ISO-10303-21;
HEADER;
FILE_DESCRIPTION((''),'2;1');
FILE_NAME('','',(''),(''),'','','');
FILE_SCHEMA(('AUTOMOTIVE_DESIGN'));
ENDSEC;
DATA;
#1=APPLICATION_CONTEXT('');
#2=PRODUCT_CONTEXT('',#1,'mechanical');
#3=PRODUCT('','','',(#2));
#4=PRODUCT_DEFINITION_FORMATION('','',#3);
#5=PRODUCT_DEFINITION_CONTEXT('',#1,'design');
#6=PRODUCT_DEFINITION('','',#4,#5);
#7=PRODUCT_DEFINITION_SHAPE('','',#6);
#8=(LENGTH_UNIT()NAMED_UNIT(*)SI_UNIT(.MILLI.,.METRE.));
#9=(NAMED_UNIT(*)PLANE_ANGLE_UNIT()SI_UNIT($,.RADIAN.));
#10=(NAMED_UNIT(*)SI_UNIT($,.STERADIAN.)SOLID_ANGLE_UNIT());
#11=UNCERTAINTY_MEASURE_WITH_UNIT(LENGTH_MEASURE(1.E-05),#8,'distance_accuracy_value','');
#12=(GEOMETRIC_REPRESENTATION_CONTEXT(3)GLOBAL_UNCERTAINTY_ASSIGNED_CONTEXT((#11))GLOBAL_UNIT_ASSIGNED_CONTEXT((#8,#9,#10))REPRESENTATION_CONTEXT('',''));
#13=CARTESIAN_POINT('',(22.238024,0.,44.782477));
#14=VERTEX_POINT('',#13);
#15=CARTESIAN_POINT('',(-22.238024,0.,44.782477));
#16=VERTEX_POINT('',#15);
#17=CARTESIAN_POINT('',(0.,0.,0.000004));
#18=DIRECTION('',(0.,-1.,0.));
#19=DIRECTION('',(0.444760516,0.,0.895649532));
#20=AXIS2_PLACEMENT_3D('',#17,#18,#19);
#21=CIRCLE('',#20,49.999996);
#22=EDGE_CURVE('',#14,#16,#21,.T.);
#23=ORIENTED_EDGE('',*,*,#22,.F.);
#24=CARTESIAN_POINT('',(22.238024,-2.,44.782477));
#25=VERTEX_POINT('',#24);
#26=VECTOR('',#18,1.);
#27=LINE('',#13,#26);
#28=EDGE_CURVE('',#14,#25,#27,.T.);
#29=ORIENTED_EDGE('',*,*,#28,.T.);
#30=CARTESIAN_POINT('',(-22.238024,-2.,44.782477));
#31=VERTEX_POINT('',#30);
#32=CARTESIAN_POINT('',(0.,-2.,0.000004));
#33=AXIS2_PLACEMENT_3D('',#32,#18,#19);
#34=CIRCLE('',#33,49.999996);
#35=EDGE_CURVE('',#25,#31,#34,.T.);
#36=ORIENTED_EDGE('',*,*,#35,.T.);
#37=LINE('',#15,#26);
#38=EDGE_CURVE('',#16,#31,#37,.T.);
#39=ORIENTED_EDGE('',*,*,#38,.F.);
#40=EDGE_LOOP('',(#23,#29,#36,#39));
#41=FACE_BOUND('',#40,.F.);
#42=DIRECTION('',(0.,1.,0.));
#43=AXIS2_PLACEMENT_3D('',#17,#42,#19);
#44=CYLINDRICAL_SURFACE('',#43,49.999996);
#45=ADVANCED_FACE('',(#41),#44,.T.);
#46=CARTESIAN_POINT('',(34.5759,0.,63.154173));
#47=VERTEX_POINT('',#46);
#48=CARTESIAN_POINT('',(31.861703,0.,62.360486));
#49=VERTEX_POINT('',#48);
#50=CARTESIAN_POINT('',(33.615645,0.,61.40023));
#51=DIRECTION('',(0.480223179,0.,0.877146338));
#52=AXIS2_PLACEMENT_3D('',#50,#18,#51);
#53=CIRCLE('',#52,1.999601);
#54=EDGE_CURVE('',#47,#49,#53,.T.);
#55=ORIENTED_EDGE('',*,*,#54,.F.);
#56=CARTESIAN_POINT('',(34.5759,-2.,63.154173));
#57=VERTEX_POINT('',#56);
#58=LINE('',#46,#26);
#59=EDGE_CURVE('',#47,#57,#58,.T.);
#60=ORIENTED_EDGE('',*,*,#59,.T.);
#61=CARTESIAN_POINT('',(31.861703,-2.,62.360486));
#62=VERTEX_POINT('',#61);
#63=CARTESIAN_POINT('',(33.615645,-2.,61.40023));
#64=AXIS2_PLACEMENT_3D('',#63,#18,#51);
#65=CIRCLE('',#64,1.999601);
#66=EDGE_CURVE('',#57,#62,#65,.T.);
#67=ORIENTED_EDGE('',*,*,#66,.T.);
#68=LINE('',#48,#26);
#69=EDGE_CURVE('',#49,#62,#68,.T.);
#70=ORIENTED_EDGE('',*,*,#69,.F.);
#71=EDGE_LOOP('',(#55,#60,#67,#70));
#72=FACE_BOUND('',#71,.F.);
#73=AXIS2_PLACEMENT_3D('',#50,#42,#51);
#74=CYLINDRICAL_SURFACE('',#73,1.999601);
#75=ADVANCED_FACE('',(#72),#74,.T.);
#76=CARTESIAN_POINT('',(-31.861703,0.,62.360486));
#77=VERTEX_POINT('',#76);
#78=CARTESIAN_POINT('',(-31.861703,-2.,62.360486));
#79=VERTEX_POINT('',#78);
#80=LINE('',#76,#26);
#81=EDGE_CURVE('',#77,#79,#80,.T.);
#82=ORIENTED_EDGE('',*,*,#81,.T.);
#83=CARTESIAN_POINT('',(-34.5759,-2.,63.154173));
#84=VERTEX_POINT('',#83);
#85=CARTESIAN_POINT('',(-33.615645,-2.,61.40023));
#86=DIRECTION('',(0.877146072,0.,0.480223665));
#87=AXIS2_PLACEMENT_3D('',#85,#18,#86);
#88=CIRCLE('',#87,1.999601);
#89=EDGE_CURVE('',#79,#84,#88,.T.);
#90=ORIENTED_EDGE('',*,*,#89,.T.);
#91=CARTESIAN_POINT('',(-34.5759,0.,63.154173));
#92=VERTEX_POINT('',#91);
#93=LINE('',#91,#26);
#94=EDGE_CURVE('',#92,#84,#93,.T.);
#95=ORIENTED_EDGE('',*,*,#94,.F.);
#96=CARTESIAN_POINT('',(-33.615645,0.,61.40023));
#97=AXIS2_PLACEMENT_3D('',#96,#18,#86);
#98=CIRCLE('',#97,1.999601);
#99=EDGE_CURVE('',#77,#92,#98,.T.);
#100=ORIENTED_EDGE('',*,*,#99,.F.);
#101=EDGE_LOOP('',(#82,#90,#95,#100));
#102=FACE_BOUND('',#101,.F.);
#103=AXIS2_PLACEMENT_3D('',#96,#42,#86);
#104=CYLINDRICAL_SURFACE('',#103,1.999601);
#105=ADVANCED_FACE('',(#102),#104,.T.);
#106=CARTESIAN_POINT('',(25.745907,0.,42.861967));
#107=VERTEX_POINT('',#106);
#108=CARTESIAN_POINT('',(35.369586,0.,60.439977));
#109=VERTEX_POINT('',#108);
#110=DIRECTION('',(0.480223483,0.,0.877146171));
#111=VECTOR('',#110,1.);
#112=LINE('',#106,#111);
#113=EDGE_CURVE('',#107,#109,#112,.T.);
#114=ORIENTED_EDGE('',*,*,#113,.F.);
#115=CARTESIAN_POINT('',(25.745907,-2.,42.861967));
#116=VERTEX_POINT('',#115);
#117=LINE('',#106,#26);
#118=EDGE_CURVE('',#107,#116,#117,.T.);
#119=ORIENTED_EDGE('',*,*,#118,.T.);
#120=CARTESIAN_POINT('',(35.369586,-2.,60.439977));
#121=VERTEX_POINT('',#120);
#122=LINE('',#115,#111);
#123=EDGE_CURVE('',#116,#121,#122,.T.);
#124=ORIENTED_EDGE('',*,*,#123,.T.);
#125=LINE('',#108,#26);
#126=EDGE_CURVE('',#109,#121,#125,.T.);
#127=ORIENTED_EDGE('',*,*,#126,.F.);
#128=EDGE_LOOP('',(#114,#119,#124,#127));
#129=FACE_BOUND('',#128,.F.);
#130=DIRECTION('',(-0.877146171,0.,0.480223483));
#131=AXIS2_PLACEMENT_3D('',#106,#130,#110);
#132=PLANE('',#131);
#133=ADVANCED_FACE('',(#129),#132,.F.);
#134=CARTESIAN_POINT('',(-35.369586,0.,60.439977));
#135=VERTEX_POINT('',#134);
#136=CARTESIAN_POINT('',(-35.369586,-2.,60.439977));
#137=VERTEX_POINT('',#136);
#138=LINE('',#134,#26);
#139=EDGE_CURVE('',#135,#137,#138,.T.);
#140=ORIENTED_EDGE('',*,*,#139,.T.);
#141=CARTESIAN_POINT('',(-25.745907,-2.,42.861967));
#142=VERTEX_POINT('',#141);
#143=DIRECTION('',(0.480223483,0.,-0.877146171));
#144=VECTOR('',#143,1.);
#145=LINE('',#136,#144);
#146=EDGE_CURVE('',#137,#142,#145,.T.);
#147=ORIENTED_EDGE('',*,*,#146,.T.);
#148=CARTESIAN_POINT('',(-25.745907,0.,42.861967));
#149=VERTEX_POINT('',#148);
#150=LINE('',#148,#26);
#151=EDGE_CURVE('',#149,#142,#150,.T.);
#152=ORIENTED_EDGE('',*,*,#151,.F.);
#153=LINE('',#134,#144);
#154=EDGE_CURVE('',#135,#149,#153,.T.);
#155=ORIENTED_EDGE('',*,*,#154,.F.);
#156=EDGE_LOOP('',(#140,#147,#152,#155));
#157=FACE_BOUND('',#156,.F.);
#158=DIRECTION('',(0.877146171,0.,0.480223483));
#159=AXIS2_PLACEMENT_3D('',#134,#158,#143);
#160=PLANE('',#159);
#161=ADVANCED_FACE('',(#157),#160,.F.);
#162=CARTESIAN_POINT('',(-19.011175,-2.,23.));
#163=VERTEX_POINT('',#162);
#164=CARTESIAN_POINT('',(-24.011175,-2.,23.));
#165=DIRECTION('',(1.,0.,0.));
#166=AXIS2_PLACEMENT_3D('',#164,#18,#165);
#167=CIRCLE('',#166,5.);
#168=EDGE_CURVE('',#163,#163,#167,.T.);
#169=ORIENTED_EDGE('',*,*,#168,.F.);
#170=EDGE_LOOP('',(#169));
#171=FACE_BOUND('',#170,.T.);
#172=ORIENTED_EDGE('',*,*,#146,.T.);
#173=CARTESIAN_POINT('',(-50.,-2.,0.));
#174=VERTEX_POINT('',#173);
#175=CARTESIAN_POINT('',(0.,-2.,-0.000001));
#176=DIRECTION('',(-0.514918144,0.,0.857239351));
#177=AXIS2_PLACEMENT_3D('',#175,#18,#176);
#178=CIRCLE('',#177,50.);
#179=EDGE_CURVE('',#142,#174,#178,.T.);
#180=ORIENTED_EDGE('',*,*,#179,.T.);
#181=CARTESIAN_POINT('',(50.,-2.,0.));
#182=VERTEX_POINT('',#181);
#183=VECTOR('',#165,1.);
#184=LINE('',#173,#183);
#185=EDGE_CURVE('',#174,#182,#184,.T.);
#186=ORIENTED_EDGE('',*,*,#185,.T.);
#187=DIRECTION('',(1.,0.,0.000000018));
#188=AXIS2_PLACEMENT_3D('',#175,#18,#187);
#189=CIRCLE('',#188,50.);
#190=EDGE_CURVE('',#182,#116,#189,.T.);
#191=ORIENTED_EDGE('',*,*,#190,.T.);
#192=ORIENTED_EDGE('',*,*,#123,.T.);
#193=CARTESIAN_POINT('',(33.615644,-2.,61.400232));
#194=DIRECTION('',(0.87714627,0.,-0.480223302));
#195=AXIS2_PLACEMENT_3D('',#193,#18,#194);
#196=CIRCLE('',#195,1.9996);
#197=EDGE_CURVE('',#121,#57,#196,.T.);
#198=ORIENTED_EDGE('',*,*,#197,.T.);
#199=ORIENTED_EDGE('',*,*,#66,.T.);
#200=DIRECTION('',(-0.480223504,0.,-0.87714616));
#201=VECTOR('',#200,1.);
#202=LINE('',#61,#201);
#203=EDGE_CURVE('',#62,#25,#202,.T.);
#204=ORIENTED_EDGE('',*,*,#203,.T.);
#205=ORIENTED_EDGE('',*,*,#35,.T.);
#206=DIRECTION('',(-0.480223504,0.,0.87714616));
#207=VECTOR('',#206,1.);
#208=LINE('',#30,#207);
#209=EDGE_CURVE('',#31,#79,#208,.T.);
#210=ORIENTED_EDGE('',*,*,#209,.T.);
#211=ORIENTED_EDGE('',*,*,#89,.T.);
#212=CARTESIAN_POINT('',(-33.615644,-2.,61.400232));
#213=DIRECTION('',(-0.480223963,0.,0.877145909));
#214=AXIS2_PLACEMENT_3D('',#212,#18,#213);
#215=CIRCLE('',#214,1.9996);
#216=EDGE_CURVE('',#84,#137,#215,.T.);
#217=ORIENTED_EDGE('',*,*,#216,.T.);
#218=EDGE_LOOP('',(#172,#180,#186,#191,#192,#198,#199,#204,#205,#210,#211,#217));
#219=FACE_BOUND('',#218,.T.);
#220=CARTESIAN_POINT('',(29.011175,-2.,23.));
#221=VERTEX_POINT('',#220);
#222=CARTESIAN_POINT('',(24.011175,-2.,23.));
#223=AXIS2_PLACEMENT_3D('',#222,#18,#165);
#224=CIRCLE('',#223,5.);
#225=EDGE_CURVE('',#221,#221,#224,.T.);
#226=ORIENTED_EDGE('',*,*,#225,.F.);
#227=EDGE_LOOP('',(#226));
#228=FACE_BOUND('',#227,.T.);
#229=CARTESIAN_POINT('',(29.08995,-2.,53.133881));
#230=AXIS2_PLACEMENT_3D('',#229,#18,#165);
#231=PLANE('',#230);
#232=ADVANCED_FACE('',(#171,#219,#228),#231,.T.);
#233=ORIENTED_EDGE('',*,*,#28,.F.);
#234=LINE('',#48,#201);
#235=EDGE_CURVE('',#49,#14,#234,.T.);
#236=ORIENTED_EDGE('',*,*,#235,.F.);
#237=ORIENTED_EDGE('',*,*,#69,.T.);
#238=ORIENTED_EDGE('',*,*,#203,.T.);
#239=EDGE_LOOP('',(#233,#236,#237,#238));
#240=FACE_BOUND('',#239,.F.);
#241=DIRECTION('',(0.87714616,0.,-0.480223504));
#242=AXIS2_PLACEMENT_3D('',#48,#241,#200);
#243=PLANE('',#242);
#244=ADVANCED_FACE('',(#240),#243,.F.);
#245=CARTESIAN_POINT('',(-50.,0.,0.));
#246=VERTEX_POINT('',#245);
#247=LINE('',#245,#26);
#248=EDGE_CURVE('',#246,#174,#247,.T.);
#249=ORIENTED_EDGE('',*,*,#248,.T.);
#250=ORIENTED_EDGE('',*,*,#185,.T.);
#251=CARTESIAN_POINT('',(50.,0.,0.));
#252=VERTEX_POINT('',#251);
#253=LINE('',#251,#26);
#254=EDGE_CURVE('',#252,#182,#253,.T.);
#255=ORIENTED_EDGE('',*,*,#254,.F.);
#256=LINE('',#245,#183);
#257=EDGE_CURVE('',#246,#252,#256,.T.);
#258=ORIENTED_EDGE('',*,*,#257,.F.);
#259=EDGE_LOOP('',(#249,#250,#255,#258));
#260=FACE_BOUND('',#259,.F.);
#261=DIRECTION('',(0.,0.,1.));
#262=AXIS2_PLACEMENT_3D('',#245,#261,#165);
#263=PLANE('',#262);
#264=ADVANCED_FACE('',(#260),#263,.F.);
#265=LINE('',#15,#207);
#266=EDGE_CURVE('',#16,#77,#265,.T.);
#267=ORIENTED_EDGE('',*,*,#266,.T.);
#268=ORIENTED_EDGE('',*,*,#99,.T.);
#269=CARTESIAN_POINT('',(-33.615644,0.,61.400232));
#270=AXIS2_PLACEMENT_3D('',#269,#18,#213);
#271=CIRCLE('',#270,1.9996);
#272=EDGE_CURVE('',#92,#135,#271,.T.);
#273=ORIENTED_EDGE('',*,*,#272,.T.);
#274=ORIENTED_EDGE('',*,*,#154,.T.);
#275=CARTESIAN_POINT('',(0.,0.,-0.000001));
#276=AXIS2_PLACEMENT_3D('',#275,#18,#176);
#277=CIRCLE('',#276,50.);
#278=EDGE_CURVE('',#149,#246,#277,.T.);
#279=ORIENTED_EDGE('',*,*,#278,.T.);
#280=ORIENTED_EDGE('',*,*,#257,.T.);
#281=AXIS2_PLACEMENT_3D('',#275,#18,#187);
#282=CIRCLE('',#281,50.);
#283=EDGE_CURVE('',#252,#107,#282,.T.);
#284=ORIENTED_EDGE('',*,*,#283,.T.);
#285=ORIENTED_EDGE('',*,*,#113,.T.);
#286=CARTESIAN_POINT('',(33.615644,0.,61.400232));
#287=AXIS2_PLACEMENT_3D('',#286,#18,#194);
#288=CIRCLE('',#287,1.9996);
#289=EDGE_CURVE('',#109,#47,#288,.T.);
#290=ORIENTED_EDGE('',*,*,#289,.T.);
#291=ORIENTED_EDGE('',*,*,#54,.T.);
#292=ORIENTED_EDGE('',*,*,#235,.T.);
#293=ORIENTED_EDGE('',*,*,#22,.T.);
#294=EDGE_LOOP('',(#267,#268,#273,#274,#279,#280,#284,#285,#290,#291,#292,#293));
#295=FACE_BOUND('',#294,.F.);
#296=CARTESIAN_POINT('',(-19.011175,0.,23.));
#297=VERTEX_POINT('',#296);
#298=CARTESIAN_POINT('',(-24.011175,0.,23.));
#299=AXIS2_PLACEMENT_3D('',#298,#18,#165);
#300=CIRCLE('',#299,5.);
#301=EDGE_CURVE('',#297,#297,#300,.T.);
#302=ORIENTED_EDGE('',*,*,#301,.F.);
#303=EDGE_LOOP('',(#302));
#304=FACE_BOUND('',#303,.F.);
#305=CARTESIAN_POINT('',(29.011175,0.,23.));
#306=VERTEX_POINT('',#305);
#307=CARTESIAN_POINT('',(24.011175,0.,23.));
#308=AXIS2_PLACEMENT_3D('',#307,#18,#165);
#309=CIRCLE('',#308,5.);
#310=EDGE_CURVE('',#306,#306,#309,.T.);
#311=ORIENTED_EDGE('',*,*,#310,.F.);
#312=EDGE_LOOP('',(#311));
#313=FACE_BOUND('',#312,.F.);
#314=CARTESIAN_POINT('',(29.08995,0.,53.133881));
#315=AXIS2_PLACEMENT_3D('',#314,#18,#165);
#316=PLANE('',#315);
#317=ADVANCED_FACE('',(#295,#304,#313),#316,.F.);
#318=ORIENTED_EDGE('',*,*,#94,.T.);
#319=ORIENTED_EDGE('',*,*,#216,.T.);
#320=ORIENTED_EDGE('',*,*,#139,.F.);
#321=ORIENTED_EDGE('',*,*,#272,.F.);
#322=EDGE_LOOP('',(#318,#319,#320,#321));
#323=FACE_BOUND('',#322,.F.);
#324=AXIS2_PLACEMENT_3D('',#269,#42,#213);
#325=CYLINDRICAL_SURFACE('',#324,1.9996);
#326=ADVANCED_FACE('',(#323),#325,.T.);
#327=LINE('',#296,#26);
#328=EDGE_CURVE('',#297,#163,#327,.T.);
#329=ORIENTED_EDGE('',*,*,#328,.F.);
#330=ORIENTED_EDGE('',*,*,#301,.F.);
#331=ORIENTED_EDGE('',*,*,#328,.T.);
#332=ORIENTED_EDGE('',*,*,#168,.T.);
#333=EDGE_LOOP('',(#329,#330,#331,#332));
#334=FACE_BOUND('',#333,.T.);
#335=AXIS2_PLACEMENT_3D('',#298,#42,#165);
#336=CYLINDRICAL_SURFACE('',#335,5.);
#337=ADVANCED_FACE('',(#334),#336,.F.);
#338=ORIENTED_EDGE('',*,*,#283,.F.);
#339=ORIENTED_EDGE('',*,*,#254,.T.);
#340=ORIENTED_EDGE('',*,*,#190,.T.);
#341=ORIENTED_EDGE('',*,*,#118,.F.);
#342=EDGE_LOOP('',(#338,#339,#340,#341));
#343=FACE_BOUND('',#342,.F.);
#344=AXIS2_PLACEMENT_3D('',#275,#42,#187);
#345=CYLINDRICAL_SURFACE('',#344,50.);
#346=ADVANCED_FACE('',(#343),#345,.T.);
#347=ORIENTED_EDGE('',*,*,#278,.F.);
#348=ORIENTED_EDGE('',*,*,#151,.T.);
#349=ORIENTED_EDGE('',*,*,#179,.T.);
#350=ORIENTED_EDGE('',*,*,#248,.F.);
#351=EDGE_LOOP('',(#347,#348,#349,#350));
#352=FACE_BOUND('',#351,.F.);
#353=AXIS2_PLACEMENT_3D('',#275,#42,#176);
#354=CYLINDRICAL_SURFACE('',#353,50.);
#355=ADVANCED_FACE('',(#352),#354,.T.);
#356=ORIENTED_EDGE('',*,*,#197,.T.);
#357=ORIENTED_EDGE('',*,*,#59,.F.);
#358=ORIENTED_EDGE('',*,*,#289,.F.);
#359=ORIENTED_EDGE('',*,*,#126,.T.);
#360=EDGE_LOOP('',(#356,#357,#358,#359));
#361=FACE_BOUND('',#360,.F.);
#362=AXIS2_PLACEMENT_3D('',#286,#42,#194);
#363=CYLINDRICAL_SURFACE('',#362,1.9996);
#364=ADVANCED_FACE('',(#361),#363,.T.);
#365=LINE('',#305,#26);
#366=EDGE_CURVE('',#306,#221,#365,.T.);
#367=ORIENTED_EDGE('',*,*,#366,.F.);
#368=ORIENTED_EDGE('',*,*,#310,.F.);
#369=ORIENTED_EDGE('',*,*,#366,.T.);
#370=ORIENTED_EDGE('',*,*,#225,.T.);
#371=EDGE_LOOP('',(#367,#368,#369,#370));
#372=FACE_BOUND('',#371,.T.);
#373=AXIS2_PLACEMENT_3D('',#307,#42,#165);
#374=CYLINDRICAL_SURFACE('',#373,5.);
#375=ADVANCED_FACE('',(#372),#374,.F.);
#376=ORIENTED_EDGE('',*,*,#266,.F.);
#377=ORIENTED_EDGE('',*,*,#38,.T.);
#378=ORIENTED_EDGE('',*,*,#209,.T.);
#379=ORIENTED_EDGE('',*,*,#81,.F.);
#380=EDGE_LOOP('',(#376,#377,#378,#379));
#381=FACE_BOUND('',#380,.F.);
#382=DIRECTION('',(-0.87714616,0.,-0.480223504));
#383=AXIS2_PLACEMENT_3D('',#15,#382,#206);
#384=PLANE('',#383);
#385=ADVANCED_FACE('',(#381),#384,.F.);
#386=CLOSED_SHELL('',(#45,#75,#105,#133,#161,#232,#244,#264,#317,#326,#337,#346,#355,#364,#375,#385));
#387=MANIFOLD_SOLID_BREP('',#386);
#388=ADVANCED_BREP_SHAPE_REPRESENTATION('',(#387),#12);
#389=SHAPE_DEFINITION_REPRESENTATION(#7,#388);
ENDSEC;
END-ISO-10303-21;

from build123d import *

# Parameters (mm, degrees)
F0_R     = 5
F1_DEPTH = 2


with BuildPart() as f1:
    # F0 (on Front) → F1 (new body)
    with BuildSketch(Plane.XZ):
        with BuildLine():
            ThreePointArc((22.238024, 44.782477), (24.011175, 43.857308), (25.745907, 42.861967))
            Line((25.745907, 42.861967), (35.369586, 60.439977))
            ThreePointArc((35.369586, 60.439977), (35.534871, 61.961453), (34.5759, 63.154173))
            ThreePointArc((34.5759, 63.154173), (33.054424, 63.319458), (31.861703, 62.360486))
            Line((31.861703, 62.360486), (22.238024, 44.782477))
        make_face()
        with BuildLine():
            Line((-35.369586, 60.439977), (-25.745907, 42.861967))
            ThreePointArc((-25.745907, 42.861967), (-24.011175, 43.857308), (-22.238024, 44.782477))
            Line((-22.238024, 44.782477), (-31.861703, 62.360486))
            ThreePointArc((-31.861703, 62.360486), (-33.054424, 63.319458), (-34.5759, 63.154173))
            ThreePointArc((-34.5759, 63.154173), (-35.534871, 61.961453), (-35.369586, 60.439977))
        make_face()
        with BuildLine():
            ThreePointArc((-25.745907, 42.861967), (-43.516062, 24.624222), (-50, 0))
            Line((-50, 0), (50, 0))
            ThreePointArc((50, 0), (43.516062, 24.624222), (25.745907, 42.861967))
            ThreePointArc((25.745907, 42.861967), (24.011175, 43.857308), (22.238024, 44.782477))
            ThreePointArc((22.238024, 44.782477), (0, 50), (-22.238024, 44.782477))
            ThreePointArc((-22.238024, 44.782477), (-24.011175, 43.857308), (-25.745907, 42.861967))
        make_face()
        with Locations((-24.011175, 23)):
            Circle(F0_R, mode=Mode.SUBTRACT)
        with Locations((24.011175, 23)):
            Circle(F0_R, mode=Mode.SUBTRACT)
    extrude(amount=F1_DEPTH)


solid = f1.part
